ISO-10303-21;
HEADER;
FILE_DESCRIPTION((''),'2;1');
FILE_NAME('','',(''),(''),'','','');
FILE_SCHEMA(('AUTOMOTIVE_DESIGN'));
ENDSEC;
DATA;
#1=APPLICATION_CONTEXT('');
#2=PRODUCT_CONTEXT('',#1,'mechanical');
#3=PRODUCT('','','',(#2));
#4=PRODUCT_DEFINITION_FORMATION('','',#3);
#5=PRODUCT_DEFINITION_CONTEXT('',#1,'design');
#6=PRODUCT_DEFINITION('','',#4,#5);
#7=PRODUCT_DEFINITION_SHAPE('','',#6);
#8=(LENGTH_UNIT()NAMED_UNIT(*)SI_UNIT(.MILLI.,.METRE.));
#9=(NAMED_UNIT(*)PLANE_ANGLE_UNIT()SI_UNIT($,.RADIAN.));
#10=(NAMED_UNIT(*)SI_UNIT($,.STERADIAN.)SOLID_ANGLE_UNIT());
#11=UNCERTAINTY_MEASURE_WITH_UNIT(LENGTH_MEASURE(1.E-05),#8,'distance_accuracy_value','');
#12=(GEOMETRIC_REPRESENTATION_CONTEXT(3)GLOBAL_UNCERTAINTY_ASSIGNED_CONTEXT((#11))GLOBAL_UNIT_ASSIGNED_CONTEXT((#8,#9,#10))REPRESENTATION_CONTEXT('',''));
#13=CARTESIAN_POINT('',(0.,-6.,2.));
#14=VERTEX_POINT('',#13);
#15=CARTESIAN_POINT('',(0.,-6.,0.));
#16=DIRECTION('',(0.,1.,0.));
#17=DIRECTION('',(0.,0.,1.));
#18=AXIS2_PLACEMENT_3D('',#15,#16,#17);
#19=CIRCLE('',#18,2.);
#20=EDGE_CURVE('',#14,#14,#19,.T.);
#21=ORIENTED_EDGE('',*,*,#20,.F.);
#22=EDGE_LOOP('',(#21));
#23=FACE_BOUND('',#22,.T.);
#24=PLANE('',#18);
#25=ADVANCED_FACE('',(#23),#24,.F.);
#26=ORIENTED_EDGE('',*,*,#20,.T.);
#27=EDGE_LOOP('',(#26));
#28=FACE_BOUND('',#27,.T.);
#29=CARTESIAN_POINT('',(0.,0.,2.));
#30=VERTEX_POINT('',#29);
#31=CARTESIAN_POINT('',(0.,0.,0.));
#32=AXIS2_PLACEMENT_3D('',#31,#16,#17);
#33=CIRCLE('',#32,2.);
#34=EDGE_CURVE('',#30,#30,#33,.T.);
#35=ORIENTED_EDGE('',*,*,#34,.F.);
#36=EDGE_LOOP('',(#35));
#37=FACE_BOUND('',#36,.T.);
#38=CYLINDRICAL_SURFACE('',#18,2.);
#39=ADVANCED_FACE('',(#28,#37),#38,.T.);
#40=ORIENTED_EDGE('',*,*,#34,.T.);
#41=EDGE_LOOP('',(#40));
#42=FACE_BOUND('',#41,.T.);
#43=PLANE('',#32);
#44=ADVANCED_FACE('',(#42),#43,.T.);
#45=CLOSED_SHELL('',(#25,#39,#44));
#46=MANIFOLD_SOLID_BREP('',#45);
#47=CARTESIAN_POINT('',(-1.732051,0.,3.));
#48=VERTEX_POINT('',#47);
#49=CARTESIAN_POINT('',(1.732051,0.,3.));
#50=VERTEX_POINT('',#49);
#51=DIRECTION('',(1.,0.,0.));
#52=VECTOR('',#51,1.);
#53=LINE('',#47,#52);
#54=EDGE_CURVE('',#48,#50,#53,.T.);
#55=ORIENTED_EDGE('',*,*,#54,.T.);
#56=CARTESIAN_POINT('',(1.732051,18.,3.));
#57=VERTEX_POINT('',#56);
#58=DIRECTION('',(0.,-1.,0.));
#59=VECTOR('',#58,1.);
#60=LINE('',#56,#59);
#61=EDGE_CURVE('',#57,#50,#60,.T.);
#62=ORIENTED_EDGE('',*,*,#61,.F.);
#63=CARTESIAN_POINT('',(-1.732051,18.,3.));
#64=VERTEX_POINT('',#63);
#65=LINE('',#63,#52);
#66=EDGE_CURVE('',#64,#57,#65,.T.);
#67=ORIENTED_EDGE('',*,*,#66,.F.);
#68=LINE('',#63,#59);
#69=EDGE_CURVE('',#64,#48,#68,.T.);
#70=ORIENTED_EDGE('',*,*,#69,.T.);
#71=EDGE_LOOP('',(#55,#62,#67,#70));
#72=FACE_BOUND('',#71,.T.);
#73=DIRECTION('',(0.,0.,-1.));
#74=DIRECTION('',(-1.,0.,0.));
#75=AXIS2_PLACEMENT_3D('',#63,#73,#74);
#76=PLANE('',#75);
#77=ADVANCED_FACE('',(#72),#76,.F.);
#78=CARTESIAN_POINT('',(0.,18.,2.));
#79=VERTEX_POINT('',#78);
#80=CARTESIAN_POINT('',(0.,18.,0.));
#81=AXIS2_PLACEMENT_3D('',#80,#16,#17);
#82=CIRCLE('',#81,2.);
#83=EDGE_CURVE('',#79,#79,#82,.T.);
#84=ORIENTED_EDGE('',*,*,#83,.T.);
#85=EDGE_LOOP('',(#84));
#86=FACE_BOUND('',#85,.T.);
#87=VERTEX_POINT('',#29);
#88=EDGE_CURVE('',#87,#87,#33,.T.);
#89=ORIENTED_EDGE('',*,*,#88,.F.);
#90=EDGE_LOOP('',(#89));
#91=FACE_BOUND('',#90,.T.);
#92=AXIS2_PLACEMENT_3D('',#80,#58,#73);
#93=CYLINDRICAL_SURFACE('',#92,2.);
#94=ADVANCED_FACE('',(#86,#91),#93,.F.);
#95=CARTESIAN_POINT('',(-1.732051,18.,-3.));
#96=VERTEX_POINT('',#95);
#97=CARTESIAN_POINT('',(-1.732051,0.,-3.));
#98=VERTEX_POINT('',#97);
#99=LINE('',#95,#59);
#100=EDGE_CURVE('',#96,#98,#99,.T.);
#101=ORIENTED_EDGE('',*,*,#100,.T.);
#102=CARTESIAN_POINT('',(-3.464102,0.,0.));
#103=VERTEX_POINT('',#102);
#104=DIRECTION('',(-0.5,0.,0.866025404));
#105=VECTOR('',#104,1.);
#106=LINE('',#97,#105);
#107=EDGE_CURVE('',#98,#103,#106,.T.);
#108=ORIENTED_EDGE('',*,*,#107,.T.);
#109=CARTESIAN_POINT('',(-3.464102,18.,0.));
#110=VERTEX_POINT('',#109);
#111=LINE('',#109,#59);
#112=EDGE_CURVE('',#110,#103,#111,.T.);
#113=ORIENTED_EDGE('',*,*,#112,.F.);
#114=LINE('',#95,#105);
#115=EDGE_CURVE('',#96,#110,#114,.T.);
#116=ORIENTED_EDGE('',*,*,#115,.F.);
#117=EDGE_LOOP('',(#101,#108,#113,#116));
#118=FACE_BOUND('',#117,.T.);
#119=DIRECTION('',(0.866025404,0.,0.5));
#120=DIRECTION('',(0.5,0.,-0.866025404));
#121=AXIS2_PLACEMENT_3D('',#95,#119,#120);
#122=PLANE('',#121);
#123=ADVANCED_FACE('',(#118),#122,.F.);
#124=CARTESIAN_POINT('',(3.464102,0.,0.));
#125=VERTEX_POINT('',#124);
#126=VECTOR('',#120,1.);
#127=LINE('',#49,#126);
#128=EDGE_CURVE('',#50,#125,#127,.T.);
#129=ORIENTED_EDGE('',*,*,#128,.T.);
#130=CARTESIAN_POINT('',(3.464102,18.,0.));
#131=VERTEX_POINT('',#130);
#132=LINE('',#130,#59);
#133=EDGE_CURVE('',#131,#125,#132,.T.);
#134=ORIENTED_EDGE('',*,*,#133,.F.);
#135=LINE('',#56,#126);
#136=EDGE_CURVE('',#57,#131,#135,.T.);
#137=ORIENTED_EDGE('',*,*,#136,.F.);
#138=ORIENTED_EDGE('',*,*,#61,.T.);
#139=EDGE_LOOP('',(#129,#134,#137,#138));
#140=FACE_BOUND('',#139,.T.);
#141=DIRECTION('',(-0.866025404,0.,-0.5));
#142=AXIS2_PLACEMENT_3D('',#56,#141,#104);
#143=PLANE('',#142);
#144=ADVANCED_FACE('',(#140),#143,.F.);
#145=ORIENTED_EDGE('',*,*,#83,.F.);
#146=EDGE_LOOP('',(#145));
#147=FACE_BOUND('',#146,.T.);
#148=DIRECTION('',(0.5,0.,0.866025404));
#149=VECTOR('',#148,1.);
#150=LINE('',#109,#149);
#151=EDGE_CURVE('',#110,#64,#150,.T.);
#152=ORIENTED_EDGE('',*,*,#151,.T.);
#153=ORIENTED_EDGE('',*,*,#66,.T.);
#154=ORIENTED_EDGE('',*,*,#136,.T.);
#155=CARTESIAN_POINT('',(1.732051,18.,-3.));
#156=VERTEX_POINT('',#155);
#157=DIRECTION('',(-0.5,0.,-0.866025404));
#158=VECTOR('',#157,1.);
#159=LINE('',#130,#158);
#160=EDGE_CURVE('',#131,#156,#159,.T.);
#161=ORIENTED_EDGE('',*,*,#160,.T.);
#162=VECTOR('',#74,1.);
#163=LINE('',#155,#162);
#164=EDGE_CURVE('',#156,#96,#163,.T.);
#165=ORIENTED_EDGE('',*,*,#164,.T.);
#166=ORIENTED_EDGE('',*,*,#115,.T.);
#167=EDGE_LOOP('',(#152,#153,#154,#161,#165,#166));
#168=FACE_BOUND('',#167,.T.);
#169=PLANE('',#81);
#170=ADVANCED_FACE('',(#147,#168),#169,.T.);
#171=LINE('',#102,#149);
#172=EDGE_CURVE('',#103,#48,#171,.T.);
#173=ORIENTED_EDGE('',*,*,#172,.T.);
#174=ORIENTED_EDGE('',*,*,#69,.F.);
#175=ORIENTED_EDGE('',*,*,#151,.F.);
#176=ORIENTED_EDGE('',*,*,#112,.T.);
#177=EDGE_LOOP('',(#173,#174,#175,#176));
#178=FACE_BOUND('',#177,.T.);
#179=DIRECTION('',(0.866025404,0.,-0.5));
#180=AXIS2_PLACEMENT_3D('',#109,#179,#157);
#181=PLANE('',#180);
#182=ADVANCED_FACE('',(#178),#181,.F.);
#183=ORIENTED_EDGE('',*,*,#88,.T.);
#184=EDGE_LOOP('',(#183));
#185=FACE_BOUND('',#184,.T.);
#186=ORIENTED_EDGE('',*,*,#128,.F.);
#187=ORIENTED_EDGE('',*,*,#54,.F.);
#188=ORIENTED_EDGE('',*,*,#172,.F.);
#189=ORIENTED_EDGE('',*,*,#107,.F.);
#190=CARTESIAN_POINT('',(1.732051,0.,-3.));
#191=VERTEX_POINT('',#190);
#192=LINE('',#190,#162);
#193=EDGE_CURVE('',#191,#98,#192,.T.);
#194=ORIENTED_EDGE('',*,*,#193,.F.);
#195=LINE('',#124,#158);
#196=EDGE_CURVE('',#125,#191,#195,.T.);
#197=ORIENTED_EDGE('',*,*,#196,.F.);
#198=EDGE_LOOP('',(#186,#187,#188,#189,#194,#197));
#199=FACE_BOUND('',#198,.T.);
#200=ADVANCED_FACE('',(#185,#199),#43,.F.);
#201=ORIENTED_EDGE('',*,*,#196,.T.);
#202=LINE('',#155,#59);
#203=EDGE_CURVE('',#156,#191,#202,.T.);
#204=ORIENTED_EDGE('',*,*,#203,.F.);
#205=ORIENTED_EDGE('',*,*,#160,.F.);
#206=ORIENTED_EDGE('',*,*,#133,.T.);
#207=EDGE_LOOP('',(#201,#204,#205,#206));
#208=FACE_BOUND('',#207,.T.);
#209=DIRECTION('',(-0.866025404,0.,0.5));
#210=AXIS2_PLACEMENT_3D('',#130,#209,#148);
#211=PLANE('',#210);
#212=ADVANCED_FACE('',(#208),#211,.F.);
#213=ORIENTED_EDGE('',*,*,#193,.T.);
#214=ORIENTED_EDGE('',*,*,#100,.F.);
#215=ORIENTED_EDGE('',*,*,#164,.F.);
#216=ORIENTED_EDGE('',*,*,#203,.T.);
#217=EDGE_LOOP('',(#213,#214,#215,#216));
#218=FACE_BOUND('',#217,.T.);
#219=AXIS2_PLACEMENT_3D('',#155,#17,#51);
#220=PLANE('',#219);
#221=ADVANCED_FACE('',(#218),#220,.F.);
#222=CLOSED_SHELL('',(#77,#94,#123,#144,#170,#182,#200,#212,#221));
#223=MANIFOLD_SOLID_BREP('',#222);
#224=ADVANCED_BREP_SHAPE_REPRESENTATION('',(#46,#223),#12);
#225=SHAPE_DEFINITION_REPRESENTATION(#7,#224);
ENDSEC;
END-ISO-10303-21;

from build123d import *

# Parameters (mm, degrees)
SKETCH_2_R      = 2
EXTRUDE_1_DEPTH = 18
SKETCH_2_2_R    = 2
EXTRUDE_2_DEPTH = 6


with BuildPart() as part:
    # 草图2 → 凸台-拉伸1 (new body)
    with BuildSketch(Plane(origin=(0, 0, 0), x_dir=(1, 0, 0), z_dir=(0, 1, 0))):
        Polygon((3.464101615, 0), (1.732050808, 3), (-1.732050808, 3), (-3.464101615, 0), (-1.732050808, -3), (1.732050808, -3), align=None)
        Circle(SKETCH_2_R, mode=Mode.SUBTRACT)
    extrude(amount=EXTRUDE_1_DEPTH)


with BuildPart() as body_2:
    # 草图2<2> → 凸台-拉伸2 (new body)
    with BuildSketch(Plane(origin=(0, 0, 0), x_dir=(1, 0, 0), z_dir=(0, 1, 0))):
        Circle(SKETCH_2_2_R)
    extrude(amount=-EXTRUDE_2_DEPTH)


solid = Compound([part.part, body_2.part])
